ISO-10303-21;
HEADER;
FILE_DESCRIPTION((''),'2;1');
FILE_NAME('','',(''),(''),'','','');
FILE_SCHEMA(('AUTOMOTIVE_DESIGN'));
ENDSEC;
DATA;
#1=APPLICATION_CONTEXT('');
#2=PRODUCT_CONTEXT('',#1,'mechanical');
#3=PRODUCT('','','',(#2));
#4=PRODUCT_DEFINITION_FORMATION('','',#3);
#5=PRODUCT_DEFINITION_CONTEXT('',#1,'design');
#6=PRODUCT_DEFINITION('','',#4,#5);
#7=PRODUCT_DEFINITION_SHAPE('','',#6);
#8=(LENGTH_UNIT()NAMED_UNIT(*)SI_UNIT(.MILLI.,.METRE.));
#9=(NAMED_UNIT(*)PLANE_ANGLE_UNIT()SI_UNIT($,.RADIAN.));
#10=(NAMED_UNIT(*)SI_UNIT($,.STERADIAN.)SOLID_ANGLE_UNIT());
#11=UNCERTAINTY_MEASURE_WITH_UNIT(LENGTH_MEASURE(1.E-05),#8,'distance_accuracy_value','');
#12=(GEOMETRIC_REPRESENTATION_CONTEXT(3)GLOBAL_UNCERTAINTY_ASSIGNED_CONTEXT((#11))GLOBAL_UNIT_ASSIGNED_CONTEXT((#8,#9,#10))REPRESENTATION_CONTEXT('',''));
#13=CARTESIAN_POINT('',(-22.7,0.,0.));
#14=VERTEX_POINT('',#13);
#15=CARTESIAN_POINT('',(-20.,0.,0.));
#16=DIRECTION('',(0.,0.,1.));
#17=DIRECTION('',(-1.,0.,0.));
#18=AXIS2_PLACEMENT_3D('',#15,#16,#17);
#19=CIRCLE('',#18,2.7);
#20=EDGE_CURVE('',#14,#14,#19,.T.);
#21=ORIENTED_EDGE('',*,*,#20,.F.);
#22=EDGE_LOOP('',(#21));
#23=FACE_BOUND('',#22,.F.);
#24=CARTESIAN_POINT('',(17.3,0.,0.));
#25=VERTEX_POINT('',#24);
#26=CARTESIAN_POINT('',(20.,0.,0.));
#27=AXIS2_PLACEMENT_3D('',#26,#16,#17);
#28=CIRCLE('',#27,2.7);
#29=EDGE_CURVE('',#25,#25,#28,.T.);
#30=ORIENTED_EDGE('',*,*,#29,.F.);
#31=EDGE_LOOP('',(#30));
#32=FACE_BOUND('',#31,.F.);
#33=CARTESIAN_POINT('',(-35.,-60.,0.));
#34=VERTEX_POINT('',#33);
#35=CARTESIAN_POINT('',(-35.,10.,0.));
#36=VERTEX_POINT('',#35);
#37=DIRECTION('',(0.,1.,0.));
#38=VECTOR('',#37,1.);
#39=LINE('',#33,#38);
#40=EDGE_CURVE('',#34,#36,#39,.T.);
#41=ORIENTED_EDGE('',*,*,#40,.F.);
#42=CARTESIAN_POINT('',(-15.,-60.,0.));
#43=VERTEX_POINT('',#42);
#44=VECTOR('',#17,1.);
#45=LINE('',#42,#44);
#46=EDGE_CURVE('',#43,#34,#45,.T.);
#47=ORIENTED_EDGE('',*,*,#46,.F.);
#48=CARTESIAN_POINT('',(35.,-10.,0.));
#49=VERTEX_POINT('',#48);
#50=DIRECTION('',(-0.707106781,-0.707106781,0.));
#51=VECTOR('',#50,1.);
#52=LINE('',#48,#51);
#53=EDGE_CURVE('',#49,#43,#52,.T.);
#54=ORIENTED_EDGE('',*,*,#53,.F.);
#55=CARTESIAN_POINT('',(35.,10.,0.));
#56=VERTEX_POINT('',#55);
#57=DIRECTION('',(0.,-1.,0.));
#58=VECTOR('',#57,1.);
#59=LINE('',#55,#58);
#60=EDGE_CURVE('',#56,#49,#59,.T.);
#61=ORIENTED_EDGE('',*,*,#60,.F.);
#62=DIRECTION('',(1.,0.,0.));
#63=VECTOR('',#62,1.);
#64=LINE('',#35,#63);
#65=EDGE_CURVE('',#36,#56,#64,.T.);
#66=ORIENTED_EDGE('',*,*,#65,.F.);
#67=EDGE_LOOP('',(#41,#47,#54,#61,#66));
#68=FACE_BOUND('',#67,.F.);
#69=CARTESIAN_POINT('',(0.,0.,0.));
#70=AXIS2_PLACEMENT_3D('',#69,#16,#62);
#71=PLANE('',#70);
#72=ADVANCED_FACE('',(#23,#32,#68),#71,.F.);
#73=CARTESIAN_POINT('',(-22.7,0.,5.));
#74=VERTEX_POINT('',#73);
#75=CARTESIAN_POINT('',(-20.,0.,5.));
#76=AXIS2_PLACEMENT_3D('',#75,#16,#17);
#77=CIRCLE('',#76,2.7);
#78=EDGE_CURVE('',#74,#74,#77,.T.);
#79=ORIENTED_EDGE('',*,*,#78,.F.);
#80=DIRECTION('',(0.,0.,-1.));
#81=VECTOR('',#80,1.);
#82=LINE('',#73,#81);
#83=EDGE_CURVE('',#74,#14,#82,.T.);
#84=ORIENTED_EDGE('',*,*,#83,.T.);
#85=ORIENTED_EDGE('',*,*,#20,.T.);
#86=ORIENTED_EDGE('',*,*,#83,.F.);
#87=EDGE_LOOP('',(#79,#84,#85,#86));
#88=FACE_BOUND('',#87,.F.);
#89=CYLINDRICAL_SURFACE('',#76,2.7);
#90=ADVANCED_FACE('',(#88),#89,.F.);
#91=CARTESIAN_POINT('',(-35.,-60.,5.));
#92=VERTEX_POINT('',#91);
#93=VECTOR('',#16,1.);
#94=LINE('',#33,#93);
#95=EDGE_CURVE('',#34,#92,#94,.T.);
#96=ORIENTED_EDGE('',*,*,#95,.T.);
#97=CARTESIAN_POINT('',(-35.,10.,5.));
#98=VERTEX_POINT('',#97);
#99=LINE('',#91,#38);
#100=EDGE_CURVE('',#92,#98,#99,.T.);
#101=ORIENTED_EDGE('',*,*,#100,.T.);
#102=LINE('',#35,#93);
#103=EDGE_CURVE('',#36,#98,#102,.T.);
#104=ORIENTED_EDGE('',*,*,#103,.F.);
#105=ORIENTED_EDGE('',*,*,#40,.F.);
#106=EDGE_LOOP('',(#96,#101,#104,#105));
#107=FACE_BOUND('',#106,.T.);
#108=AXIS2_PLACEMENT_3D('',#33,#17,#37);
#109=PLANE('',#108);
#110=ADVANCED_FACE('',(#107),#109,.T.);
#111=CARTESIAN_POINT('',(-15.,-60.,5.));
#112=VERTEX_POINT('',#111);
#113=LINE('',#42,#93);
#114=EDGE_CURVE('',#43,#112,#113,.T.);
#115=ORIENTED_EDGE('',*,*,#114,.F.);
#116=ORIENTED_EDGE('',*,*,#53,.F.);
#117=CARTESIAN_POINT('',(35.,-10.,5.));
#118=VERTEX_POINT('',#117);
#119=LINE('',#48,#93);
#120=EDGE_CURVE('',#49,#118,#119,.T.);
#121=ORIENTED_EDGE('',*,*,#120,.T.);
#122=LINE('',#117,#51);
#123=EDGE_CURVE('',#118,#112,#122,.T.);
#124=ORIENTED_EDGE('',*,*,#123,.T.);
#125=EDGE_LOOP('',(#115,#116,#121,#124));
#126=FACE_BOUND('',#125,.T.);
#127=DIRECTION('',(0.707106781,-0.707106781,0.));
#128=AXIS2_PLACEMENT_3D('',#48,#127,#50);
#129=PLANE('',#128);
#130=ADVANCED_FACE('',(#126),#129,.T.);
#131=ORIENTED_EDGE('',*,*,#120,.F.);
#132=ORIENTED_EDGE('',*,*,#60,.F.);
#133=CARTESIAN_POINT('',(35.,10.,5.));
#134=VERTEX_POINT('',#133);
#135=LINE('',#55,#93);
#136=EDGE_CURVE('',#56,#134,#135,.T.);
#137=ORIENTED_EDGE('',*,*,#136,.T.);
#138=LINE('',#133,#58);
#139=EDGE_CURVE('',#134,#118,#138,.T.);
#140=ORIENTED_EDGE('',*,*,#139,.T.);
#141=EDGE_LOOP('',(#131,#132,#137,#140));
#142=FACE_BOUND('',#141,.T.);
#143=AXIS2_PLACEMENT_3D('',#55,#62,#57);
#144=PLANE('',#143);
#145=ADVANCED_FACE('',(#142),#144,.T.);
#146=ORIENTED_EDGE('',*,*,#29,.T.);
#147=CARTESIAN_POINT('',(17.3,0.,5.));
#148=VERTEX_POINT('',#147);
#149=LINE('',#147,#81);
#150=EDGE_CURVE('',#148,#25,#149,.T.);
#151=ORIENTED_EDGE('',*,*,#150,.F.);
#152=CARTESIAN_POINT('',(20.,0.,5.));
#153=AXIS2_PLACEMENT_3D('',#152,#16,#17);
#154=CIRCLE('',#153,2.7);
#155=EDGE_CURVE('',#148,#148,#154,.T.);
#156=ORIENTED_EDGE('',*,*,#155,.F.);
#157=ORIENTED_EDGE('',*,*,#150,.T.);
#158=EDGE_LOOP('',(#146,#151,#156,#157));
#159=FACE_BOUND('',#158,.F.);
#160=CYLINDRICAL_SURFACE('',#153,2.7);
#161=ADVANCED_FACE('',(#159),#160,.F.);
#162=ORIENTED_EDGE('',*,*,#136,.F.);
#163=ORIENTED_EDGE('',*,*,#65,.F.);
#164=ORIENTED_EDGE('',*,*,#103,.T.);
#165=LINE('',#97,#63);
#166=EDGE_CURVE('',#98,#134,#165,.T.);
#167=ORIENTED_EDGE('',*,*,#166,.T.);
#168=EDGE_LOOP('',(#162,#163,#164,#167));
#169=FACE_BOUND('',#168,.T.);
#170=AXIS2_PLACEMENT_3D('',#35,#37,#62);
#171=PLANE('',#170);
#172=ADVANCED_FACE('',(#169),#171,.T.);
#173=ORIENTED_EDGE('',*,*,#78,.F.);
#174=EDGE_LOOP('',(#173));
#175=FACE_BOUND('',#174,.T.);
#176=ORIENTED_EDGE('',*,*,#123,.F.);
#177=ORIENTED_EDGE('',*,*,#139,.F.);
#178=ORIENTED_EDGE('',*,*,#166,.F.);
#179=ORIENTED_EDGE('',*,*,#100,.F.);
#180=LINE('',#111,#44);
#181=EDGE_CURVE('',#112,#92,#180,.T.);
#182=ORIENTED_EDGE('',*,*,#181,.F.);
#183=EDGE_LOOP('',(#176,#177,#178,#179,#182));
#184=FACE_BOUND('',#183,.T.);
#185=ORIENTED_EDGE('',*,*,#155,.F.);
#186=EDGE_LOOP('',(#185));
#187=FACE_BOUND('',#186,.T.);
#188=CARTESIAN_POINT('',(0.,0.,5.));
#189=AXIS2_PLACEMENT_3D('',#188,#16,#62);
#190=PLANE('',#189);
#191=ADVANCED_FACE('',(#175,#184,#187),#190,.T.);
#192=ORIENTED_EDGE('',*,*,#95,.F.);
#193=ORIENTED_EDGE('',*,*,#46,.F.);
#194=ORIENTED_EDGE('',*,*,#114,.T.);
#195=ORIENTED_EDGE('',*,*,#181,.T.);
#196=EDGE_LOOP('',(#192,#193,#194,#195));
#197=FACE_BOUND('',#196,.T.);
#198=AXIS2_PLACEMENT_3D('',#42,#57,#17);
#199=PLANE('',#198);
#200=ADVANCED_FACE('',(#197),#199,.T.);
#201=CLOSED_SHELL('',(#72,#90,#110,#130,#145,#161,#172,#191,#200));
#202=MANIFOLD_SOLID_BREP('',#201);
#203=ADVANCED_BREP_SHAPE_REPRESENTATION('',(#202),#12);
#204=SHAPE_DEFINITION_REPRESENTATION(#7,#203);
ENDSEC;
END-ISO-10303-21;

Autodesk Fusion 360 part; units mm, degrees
sketch "Sketch1" plane through (0, 0, 0) normal (0, 0, 1) x (1, 0, 0)
  line L0 (-35, 10) -> (35, 10)
  line L1 (35, 10) -> (35, -10)
  line L2 (35, -10) -> (-15, -60)
  line L3 (-15, -60) -> (-35, -60)
  line L4 (-35, -60) -> (-35, 10)
  point P0 (35, 0)
  point P1 (0, 10)
  dimension "d2" = 50
  dimension "d3" = 20
  dimension "d4" = 45
  dimension "d5" = 20
extrude "Extrude1" add sketch "Sketch1" along normal blind 5
sketch "Sketch2" plane through (0, 0, 5) normal (0, 0, 1) x (-1, 0, 0)
  line L0 (35, 60) -> (15, 60)
  line L1 (15, 60) -> (-35, 10)
  line L2 (-35, 10) -> (-35, -10)
  line L3 (-35, -10) -> (35, -10)
  line L4 (35, -10) -> (35, 60)
  circle A0 centre (-20, 0) radius 2.7
  circle A1 centre (20, 0) radius 2.7
  dimension "d8" = 5.4
  dimension "d9" = 5.4
  dimension "d10" = 20
  dimension "d11" = 20
extrude "Extrude2" cut sketch "Sketch2" against normal blind 10 contours A0 | A1
